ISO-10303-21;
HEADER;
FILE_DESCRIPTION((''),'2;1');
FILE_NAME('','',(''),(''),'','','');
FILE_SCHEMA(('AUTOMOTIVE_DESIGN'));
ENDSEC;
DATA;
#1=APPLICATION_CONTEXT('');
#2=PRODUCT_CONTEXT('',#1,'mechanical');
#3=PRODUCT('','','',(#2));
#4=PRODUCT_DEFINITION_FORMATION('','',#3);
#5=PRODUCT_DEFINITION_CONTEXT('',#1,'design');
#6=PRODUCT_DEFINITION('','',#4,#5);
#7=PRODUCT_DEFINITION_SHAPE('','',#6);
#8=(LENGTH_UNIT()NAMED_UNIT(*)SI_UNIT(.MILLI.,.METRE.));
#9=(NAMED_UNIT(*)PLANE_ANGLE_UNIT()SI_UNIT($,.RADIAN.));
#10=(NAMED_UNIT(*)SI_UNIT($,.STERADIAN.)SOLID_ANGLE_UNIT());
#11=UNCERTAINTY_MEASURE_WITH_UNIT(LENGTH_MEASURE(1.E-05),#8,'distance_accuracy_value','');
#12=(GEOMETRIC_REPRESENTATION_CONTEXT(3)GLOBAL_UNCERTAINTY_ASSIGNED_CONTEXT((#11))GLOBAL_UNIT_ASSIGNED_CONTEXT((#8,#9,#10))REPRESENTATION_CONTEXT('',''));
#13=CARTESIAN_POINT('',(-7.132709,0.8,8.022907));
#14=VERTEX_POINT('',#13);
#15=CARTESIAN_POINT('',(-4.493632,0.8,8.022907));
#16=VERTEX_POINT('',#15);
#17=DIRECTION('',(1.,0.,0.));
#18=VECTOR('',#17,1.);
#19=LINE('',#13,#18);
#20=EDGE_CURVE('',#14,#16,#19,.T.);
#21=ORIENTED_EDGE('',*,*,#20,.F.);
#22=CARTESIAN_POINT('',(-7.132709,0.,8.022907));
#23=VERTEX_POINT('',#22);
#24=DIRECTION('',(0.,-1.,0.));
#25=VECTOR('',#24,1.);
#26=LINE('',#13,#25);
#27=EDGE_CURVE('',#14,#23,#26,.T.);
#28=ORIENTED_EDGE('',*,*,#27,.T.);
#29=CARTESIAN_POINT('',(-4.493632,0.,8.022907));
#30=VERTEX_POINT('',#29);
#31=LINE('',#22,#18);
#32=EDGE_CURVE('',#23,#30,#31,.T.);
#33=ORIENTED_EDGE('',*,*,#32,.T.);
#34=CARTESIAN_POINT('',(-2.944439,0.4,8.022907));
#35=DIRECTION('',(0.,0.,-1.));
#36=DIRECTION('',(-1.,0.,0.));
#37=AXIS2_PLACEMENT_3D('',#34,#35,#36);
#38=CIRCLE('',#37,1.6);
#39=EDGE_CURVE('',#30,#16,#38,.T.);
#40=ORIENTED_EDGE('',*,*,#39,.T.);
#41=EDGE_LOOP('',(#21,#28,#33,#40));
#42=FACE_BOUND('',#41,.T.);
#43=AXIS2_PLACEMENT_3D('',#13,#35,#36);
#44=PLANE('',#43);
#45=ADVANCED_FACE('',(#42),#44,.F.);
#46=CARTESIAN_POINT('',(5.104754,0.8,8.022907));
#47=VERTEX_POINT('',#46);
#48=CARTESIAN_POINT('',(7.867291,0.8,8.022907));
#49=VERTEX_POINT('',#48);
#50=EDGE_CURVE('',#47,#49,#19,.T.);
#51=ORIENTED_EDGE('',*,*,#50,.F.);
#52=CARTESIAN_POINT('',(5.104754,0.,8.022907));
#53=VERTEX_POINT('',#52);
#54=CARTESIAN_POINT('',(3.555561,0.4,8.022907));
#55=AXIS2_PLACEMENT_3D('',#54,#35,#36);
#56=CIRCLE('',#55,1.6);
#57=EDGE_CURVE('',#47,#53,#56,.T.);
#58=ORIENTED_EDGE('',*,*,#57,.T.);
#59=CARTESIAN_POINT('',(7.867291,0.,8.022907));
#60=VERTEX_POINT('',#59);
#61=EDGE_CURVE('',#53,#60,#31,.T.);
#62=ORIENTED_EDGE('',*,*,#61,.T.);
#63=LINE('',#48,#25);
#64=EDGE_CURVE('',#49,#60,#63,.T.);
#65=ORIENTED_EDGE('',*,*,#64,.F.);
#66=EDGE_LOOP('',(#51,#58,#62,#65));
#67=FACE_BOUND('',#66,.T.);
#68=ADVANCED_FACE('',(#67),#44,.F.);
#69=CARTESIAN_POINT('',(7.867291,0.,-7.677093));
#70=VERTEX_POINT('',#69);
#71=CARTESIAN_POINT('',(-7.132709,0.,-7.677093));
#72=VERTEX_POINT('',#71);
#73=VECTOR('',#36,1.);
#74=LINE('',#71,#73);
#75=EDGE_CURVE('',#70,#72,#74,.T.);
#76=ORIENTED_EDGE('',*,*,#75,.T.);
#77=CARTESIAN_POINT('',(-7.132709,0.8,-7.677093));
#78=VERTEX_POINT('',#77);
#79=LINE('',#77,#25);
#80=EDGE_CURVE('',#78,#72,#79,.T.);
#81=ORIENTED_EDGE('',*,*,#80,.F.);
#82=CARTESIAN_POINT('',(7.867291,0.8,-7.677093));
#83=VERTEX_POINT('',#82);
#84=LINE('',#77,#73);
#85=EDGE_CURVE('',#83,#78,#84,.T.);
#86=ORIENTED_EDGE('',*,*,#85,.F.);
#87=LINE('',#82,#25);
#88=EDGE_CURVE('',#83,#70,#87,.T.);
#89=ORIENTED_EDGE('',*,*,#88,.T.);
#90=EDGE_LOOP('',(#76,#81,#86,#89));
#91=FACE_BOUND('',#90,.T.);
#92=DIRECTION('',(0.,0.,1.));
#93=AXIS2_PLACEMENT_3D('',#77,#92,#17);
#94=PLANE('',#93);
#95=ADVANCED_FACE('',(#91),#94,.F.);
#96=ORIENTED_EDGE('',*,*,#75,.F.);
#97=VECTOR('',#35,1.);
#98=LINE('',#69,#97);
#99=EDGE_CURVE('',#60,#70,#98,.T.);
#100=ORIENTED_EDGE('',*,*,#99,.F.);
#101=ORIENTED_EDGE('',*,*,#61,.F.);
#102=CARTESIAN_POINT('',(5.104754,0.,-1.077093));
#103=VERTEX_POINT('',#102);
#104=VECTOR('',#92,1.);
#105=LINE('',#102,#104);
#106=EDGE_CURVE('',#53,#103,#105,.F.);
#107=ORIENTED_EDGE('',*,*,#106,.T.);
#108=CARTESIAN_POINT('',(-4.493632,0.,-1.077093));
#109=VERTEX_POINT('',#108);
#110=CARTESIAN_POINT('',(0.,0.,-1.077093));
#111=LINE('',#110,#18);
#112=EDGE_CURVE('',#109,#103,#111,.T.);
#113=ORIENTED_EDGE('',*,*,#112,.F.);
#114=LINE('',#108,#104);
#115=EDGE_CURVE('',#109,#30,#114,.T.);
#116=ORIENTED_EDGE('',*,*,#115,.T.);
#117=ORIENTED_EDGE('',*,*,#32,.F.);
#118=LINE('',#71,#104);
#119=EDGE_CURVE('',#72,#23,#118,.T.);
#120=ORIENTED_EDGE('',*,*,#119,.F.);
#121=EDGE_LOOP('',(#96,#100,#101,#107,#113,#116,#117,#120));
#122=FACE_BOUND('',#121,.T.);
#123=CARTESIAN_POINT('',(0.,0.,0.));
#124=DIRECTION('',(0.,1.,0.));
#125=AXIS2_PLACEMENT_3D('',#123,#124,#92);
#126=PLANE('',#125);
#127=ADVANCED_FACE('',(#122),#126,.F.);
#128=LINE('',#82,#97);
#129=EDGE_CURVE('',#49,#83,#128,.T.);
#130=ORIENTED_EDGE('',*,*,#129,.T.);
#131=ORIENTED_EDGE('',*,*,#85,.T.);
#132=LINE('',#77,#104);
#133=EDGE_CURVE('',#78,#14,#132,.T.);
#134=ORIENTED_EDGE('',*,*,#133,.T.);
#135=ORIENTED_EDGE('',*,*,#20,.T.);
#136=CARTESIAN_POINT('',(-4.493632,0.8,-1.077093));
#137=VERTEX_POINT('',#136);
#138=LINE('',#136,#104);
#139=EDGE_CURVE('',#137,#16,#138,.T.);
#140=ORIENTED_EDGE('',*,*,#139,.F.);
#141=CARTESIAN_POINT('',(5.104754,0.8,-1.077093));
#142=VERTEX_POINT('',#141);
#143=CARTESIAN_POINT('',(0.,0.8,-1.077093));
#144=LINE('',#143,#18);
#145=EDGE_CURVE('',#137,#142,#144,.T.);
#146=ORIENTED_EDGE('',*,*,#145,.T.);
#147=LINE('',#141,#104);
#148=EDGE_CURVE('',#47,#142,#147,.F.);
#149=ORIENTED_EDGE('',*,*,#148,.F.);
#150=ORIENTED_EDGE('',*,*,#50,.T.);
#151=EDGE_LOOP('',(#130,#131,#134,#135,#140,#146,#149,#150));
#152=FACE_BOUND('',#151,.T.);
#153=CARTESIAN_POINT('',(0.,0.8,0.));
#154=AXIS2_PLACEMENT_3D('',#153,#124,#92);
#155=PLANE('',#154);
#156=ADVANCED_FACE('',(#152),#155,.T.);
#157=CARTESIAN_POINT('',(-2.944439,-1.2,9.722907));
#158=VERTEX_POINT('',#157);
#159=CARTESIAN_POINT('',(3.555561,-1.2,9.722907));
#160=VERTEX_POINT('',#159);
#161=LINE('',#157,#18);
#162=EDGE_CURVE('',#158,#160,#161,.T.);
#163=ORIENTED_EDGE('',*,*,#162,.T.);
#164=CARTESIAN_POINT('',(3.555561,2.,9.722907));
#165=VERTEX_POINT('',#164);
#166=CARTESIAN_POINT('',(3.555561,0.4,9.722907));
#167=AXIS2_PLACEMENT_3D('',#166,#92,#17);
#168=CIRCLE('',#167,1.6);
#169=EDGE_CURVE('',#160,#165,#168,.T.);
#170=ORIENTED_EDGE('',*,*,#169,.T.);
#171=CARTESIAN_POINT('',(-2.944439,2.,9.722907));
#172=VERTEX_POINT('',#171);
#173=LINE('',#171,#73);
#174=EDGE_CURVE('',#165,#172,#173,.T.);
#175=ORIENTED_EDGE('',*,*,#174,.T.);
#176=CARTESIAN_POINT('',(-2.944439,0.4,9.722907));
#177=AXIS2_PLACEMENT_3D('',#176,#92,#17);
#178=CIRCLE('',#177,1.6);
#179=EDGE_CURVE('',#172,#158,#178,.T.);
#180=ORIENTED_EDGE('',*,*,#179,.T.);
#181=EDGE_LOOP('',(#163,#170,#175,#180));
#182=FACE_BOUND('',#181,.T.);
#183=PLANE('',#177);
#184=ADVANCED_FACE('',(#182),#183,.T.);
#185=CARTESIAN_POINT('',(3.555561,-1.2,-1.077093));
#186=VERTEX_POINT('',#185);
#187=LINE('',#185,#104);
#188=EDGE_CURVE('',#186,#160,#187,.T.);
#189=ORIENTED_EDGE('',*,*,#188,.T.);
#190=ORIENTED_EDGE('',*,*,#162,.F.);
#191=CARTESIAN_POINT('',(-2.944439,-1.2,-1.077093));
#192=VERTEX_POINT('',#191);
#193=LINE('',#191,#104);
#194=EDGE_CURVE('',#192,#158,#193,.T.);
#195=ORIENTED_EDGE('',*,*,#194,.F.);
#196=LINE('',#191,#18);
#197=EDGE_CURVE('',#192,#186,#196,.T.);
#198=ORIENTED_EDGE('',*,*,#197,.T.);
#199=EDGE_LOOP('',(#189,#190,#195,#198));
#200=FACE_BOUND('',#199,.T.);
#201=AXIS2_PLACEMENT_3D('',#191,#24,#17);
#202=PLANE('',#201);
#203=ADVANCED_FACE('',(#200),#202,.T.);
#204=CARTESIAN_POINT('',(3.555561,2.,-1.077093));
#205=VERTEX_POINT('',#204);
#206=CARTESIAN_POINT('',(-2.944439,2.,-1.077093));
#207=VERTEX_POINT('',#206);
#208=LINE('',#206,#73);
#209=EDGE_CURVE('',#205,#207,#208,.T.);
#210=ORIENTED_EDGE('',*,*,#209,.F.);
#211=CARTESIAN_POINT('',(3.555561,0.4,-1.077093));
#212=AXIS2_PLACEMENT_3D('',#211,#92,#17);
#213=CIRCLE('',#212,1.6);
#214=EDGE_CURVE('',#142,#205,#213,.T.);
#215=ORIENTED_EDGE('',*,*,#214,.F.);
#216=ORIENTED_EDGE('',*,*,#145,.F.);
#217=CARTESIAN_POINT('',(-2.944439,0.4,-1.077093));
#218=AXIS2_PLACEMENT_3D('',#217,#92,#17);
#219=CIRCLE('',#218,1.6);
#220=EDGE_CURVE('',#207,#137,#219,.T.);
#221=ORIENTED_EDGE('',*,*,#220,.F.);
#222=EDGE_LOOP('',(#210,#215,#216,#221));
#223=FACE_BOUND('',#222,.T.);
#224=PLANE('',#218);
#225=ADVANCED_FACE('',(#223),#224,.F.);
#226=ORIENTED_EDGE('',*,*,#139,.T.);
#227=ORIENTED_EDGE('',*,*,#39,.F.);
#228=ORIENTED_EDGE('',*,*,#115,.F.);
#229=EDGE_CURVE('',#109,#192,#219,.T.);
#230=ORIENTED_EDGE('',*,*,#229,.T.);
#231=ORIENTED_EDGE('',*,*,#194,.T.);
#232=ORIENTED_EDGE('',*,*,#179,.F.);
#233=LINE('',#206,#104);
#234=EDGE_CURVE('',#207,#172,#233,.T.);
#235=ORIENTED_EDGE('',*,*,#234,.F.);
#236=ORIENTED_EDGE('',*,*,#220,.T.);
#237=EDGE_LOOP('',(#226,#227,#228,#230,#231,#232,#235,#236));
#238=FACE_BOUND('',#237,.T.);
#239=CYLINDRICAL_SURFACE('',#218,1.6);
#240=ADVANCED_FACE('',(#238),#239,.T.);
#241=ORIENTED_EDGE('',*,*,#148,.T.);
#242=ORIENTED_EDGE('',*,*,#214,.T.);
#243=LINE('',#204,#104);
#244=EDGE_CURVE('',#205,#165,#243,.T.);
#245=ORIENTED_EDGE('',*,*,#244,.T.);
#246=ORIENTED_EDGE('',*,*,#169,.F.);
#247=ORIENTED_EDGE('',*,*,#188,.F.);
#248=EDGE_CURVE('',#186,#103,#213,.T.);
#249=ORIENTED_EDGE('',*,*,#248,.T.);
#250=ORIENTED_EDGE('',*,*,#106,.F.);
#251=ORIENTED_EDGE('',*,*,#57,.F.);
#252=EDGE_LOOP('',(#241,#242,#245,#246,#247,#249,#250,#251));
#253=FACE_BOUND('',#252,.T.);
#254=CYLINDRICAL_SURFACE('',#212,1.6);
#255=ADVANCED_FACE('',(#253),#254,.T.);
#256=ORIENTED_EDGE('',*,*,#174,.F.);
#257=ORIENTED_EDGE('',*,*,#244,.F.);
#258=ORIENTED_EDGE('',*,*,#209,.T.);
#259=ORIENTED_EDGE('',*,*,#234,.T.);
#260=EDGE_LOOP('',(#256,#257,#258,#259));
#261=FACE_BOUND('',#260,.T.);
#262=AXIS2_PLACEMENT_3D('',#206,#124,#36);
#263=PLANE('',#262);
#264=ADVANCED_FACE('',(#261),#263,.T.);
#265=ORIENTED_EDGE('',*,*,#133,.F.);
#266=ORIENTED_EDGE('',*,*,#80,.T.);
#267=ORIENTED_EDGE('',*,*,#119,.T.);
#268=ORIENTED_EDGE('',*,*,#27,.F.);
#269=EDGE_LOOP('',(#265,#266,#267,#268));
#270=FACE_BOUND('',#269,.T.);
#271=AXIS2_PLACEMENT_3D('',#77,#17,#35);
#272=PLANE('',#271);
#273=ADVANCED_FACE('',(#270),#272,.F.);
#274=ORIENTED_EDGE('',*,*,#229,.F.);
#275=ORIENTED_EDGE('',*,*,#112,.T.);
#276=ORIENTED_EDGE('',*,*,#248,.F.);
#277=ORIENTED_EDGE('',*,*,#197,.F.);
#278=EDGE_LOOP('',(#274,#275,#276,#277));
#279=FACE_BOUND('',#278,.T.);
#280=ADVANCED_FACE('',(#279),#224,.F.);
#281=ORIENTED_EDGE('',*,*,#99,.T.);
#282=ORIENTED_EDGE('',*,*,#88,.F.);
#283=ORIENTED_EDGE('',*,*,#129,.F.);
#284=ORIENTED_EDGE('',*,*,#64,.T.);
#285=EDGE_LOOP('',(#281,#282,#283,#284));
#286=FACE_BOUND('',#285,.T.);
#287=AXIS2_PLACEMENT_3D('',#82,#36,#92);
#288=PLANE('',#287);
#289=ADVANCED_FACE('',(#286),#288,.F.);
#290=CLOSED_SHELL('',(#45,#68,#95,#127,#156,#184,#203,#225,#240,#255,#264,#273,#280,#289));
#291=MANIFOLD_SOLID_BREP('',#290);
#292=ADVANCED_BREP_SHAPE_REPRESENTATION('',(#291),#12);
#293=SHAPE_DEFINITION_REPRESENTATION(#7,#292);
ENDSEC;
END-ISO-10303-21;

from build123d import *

# Parameters (mm, degrees)
SKETCH1_W           = 15
SKETCH1_H           = 15.7
BOSS_EXTRUDE1_DEPTH = 0.8
BOSS_EXTRUDE2_DEPTH = 10.8


with BuildPart() as part:
    # Sketch1 → Boss-Extrude1 (new body)
    with BuildSketch(Plane(origin=(0, 0, 0), x_dir=(1, 0, 0), z_dir=(0, 1, 0))):
        with Locations((0.367290749, -0.172907489)):
            Rectangle(SKETCH1_W, SKETCH1_H)
    extrude(amount=BOSS_EXTRUDE1_DEPTH)

    # Sketch2 → Boss-Extrude2 (add)
    with BuildSketch(Plane.XY.offset(9.722907489)):
        with BuildLine():
            Line((-2.944438856, 2), (3.555561144, 2))
            ThreePointArc((3.555561144, 2), (5.155561144, 0.4), (3.555561144, -1.2))
            Line((3.555561144, -1.2), (-2.944438856, -1.2))
            ThreePointArc((-2.944438856, -1.2), (-4.544438856, 0.4), (-2.944438856, 2))
        make_face()
    extrude(amount=-BOSS_EXTRUDE2_DEPTH)


solid = part.part
